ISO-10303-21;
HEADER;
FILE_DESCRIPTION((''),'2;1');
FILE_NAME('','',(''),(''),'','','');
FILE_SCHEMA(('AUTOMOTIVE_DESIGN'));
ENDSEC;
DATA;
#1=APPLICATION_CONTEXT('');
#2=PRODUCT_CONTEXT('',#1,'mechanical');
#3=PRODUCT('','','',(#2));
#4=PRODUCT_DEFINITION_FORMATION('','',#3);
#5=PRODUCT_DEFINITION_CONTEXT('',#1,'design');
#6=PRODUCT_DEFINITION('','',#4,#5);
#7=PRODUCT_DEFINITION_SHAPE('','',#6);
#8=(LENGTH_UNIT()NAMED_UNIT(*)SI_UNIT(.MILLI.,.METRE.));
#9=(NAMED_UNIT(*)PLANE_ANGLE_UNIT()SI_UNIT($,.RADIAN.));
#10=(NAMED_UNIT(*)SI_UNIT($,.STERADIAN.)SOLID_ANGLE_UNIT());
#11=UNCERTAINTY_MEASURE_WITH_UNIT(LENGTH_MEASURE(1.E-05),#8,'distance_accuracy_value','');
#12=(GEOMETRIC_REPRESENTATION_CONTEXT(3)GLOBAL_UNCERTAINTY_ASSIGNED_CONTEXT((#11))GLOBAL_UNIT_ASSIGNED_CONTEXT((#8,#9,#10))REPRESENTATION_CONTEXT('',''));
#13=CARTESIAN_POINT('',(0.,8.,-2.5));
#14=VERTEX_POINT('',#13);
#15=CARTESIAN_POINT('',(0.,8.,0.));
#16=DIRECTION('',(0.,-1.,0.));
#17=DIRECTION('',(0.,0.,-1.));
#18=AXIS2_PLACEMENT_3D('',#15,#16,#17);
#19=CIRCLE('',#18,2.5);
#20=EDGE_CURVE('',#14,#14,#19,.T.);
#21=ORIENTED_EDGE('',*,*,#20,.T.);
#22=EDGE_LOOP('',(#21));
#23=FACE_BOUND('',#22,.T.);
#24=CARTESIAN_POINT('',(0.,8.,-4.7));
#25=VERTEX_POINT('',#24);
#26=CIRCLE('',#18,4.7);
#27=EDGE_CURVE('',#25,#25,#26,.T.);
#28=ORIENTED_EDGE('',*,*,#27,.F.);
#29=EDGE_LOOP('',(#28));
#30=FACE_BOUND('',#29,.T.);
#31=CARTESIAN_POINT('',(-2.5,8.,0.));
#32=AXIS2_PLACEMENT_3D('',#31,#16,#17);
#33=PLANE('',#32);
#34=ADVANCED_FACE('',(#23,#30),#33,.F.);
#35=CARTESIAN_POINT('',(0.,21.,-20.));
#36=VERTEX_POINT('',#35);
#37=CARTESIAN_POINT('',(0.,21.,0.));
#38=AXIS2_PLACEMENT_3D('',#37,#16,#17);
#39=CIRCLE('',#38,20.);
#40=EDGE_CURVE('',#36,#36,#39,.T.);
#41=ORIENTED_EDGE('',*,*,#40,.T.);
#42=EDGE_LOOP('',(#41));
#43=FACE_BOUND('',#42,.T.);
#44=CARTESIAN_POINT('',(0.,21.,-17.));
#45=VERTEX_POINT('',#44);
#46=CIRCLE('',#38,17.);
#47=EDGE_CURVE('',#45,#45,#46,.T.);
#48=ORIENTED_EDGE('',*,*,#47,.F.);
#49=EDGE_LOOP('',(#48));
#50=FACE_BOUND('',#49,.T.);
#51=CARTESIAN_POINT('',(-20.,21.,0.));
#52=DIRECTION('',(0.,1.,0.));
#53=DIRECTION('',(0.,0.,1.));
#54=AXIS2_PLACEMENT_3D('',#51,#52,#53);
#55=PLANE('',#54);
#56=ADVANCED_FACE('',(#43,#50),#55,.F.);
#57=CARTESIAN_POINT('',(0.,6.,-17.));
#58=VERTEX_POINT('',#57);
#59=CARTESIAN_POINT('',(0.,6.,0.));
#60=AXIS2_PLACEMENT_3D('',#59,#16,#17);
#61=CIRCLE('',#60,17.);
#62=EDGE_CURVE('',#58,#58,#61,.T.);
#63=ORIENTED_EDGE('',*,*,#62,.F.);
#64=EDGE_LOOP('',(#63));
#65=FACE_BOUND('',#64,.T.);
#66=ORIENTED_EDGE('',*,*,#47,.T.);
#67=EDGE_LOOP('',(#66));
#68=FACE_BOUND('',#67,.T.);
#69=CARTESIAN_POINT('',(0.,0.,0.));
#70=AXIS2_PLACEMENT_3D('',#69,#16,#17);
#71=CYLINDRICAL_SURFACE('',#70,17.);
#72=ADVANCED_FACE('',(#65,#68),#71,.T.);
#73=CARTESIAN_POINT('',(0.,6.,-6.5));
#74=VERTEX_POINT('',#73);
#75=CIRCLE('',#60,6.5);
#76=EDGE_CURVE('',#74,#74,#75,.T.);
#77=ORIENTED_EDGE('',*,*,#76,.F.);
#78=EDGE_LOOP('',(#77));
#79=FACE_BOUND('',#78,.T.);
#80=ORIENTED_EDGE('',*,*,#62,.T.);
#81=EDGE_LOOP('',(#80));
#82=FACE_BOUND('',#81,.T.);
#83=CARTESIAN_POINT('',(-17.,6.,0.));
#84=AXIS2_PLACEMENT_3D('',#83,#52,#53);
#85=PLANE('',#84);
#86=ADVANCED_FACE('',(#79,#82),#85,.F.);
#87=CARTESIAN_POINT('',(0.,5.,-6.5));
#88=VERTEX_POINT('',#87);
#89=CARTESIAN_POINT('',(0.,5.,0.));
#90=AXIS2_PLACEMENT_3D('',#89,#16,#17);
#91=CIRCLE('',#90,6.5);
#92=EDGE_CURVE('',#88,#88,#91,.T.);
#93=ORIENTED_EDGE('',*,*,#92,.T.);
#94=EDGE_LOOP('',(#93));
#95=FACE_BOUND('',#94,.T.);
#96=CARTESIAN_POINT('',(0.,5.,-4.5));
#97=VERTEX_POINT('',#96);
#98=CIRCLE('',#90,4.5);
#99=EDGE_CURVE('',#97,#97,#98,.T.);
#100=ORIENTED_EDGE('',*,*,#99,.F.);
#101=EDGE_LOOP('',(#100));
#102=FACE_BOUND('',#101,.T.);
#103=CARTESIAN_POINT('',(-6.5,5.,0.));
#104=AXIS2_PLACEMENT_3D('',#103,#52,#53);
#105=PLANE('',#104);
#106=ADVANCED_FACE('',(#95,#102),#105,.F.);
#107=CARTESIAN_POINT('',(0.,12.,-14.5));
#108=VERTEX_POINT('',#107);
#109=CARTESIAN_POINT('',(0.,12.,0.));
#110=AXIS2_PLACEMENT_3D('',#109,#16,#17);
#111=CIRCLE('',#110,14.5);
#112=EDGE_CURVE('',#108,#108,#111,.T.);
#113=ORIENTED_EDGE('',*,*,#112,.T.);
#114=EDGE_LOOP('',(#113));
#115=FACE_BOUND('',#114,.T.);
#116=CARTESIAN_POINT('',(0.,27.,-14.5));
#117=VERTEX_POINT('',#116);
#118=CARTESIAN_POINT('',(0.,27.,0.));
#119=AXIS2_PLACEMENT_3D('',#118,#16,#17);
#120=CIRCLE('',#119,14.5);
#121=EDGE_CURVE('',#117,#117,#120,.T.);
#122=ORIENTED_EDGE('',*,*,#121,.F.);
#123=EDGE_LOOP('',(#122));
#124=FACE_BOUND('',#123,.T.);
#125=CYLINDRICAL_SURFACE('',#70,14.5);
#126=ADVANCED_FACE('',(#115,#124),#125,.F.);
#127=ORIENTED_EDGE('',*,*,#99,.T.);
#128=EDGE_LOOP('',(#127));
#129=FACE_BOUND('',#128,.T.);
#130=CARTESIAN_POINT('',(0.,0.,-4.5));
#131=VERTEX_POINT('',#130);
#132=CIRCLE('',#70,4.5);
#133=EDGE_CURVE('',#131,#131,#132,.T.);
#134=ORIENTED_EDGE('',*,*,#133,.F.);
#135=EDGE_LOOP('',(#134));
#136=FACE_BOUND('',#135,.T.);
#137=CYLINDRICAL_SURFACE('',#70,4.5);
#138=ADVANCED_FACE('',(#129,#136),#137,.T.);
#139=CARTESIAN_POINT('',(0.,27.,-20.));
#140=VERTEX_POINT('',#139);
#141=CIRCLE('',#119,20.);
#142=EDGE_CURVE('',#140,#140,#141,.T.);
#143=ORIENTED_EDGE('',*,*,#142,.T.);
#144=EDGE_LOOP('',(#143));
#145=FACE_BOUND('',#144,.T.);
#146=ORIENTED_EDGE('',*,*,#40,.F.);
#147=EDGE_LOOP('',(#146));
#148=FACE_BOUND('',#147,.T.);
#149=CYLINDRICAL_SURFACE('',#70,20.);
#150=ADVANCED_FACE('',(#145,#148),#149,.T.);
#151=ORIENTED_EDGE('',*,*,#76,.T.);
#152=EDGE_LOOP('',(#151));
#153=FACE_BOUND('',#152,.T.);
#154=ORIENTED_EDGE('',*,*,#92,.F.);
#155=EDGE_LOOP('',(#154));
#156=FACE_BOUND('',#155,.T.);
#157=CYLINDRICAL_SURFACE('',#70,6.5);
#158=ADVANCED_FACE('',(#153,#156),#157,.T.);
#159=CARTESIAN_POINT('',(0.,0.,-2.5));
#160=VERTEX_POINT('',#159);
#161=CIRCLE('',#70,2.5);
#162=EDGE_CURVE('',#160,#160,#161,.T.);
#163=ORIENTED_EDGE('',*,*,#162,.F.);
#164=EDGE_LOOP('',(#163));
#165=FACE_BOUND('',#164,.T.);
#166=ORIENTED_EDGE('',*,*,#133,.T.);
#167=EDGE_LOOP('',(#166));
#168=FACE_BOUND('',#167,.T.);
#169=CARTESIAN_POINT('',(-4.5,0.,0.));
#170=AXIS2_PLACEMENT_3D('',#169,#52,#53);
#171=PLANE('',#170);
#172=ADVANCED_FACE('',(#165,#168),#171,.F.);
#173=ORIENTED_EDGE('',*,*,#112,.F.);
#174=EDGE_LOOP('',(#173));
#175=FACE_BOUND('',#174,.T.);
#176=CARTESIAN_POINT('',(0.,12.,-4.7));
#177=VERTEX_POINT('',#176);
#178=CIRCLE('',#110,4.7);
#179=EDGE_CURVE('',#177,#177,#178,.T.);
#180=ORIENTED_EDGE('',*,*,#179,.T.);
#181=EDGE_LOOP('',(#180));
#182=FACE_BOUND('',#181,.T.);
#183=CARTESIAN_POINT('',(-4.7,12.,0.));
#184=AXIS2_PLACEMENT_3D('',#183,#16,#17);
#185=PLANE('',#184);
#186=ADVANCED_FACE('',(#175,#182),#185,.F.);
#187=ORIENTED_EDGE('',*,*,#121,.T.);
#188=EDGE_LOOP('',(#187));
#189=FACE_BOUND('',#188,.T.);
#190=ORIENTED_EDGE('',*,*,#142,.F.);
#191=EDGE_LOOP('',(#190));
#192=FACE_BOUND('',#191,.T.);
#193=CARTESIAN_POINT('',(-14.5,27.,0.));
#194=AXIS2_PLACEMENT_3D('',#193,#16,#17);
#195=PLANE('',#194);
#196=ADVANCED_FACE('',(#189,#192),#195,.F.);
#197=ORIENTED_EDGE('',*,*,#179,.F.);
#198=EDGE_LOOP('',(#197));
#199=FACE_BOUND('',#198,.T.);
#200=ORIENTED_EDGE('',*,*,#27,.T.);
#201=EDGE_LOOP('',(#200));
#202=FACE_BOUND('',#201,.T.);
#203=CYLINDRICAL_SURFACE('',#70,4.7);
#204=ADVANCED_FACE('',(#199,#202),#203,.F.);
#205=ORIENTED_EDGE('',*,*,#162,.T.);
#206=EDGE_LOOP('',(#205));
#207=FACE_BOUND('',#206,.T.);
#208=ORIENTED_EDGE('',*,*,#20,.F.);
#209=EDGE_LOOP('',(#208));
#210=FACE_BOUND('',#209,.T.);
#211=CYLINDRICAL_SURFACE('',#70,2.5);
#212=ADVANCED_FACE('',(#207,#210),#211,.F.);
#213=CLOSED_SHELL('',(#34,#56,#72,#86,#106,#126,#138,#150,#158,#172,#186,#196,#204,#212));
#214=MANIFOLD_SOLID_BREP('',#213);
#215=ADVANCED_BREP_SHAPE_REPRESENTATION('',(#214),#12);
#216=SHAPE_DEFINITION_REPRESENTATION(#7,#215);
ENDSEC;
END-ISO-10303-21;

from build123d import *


with BuildPart() as part:
    # 草图1 → 旋转1 (revolve)
    with BuildSketch(Plane.XY):
        Polygon((-2.5, 0), (-2.5, 8), (-4.7, 8), (-4.7, 12), (-14.5, 12), (-14.5, 27), (-20, 27), (-20, 21), (-17, 21), (-17, 6), (-6.5, 6), (-6.5, 5), (-4.5, 5), (-4.5, 0), align=None)
    revolve(axis=Axis((0, 0, 0), (0, 1, 0)))


solid = part.part
